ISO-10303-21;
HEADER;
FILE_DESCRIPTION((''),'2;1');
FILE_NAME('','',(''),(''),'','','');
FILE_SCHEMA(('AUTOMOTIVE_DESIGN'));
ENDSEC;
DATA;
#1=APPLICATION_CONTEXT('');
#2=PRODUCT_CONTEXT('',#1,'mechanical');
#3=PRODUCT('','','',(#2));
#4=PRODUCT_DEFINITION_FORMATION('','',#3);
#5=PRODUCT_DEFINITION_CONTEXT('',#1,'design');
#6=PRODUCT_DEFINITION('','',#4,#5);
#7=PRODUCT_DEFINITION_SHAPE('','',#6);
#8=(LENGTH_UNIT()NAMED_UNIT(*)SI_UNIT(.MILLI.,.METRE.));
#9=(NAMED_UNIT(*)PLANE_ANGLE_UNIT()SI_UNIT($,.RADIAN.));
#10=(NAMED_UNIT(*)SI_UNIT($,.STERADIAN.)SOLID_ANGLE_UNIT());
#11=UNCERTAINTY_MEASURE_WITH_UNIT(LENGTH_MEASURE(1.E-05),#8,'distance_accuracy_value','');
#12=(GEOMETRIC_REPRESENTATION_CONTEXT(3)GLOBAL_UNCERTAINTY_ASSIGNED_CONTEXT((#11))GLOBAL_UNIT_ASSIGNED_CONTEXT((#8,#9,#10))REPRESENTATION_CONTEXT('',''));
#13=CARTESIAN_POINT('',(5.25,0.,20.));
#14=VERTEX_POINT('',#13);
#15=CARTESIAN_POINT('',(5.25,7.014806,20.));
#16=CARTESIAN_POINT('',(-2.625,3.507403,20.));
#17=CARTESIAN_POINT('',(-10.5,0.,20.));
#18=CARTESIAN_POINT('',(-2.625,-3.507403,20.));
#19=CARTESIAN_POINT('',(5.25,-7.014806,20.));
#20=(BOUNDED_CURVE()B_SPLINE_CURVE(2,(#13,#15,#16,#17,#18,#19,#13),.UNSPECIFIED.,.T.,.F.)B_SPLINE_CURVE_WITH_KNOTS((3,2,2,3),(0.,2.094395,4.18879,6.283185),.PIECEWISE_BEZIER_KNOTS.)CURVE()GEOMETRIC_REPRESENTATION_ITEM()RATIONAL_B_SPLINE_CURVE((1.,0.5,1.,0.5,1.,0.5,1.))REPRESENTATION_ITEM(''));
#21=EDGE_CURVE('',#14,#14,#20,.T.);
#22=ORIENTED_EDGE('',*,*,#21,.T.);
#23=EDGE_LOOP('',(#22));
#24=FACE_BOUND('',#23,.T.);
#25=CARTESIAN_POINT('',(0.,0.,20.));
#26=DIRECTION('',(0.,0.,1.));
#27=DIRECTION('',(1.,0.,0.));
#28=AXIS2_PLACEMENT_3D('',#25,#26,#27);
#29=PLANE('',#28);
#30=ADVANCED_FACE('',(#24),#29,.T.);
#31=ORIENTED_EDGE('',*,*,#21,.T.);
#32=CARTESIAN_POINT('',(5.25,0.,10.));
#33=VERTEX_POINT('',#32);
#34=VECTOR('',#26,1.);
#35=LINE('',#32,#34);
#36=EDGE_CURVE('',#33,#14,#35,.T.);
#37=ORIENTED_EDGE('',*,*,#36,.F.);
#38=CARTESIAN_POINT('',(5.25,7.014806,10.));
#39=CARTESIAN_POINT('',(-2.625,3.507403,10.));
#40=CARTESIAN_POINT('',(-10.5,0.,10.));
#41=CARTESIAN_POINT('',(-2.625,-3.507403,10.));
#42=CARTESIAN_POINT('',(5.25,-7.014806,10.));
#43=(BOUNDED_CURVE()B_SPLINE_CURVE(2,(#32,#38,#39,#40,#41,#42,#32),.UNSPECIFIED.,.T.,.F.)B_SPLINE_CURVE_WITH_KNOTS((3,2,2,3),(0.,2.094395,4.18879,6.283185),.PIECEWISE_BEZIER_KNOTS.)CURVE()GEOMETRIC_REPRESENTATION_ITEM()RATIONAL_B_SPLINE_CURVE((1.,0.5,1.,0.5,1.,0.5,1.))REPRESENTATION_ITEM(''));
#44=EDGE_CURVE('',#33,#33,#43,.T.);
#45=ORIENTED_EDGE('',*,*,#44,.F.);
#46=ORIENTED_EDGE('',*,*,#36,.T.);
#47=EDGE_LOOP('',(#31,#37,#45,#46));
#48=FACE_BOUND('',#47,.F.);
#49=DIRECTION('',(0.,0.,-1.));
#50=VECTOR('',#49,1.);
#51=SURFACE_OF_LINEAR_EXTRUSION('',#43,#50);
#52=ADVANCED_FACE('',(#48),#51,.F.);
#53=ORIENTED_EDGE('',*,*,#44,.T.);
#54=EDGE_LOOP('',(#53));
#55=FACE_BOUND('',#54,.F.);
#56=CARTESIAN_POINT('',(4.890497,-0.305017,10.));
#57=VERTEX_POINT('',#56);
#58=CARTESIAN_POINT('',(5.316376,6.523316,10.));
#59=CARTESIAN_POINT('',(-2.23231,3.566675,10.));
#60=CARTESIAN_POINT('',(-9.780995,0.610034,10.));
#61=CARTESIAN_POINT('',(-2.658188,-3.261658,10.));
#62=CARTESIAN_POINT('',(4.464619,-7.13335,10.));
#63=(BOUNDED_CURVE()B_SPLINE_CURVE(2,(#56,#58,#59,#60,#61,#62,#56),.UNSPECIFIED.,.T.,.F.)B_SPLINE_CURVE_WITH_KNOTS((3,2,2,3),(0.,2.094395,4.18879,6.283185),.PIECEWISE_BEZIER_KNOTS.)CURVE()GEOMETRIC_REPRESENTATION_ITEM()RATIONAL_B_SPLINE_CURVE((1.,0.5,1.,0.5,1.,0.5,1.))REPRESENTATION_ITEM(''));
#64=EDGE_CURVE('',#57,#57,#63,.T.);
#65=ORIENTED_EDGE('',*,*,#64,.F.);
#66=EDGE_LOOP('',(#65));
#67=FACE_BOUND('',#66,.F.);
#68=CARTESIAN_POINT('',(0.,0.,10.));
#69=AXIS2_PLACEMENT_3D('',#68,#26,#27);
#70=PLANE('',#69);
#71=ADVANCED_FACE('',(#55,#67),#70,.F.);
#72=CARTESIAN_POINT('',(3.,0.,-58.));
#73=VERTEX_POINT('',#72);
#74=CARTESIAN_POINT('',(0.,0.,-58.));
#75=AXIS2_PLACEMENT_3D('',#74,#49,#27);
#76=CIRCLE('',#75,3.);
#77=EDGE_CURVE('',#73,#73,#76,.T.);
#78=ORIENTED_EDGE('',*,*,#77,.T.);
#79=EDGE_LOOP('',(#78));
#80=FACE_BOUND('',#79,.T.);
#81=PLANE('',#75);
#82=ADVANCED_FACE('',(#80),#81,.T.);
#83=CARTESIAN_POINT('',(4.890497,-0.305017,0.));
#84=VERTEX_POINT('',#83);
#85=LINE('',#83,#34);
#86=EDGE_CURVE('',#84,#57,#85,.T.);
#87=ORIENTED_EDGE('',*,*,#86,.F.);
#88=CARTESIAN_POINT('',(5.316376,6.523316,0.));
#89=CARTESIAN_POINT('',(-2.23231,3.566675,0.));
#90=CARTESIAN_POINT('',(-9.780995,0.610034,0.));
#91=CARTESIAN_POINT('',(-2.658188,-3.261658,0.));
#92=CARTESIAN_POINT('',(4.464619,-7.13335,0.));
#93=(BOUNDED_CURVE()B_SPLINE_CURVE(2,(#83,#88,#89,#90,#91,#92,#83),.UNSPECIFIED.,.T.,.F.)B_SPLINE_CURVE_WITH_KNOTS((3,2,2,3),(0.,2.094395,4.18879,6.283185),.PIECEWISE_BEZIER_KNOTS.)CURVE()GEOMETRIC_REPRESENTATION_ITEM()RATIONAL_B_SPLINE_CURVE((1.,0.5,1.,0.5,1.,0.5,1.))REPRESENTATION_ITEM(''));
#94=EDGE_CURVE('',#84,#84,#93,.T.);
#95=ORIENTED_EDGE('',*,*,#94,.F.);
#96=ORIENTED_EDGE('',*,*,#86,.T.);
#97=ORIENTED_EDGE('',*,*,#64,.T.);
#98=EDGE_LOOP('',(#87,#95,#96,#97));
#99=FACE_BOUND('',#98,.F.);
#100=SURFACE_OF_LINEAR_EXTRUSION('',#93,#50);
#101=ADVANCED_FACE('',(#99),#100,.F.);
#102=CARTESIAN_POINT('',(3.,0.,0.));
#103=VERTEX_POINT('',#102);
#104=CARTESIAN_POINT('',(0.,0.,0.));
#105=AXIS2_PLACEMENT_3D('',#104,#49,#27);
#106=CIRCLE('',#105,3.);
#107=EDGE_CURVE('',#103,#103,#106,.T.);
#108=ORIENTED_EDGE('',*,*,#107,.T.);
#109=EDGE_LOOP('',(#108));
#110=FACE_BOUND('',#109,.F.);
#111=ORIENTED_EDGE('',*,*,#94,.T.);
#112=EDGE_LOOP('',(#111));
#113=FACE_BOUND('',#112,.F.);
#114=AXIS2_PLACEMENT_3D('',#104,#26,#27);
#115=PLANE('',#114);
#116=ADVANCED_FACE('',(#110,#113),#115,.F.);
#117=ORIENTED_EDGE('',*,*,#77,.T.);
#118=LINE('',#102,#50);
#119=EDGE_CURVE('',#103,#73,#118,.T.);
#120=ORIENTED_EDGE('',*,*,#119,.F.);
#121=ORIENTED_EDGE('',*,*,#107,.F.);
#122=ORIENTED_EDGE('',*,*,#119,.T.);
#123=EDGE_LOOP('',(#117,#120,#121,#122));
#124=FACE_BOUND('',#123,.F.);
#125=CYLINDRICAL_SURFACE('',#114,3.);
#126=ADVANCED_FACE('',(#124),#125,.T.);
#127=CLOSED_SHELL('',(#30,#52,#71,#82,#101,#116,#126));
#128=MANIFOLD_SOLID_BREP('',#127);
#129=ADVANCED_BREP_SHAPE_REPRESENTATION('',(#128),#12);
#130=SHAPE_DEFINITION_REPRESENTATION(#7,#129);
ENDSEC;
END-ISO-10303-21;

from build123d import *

# Parameters (mm, degrees)
F1_DEPTH = 10
F3_DEPTH = 10
F4_R     = 3
F5_DEPTH = 58


with BuildPart() as f1:
    # F0 (on Top) → F1 (new body)
    with BuildSketch(Plane.XY):
        with BuildLine():
            add(Edge.make_bspline(
                [(4.890497, -0.305017), (5.316376, 6.523316), (-2.23231, 3.566675), (-9.780995, 0.610034), (-2.658188, -3.261658), (4.464619, -7.13335), (4.890497, -0.305017)],
                knots=[0, 0, 0, 2.094395, 2.094395, 4.18879, 4.18879, 6.283185, 6.283185, 6.283185], degree=2, weights=[1, 0.5, 1, 0.5, 1, 0.5, 1]))
        make_face()
    extrude(amount=F1_DEPTH)

    # F2 (on face) → F3 (join)
    with BuildSketch(Plane.XY.offset(10)):
        with BuildLine():
            add(Edge.make_bspline(
                [(5.25, 0), (5.25, 7.014806), (-2.625, 3.507403), (-10.5, 0), (-2.625, -3.507403), (5.25, -7.014806), (5.25, 0)],
                knots=[0, 0, 0, 2.094395, 2.094395, 4.18879, 4.18879, 6.283185, 6.283185, 6.283185], degree=2, weights=[1, 0.5, 1, 0.5, 1, 0.5, 1]))
        make_face()
    extrude(amount=F3_DEPTH)

    # F4 (on face) → F5 (join)
    with BuildSketch(Plane(origin=(0, 0, 0), x_dir=(1, 0, 0), z_dir=(0, 0, -1))):
        Circle(F4_R)
    extrude(amount=F5_DEPTH)


solid = f1.part
